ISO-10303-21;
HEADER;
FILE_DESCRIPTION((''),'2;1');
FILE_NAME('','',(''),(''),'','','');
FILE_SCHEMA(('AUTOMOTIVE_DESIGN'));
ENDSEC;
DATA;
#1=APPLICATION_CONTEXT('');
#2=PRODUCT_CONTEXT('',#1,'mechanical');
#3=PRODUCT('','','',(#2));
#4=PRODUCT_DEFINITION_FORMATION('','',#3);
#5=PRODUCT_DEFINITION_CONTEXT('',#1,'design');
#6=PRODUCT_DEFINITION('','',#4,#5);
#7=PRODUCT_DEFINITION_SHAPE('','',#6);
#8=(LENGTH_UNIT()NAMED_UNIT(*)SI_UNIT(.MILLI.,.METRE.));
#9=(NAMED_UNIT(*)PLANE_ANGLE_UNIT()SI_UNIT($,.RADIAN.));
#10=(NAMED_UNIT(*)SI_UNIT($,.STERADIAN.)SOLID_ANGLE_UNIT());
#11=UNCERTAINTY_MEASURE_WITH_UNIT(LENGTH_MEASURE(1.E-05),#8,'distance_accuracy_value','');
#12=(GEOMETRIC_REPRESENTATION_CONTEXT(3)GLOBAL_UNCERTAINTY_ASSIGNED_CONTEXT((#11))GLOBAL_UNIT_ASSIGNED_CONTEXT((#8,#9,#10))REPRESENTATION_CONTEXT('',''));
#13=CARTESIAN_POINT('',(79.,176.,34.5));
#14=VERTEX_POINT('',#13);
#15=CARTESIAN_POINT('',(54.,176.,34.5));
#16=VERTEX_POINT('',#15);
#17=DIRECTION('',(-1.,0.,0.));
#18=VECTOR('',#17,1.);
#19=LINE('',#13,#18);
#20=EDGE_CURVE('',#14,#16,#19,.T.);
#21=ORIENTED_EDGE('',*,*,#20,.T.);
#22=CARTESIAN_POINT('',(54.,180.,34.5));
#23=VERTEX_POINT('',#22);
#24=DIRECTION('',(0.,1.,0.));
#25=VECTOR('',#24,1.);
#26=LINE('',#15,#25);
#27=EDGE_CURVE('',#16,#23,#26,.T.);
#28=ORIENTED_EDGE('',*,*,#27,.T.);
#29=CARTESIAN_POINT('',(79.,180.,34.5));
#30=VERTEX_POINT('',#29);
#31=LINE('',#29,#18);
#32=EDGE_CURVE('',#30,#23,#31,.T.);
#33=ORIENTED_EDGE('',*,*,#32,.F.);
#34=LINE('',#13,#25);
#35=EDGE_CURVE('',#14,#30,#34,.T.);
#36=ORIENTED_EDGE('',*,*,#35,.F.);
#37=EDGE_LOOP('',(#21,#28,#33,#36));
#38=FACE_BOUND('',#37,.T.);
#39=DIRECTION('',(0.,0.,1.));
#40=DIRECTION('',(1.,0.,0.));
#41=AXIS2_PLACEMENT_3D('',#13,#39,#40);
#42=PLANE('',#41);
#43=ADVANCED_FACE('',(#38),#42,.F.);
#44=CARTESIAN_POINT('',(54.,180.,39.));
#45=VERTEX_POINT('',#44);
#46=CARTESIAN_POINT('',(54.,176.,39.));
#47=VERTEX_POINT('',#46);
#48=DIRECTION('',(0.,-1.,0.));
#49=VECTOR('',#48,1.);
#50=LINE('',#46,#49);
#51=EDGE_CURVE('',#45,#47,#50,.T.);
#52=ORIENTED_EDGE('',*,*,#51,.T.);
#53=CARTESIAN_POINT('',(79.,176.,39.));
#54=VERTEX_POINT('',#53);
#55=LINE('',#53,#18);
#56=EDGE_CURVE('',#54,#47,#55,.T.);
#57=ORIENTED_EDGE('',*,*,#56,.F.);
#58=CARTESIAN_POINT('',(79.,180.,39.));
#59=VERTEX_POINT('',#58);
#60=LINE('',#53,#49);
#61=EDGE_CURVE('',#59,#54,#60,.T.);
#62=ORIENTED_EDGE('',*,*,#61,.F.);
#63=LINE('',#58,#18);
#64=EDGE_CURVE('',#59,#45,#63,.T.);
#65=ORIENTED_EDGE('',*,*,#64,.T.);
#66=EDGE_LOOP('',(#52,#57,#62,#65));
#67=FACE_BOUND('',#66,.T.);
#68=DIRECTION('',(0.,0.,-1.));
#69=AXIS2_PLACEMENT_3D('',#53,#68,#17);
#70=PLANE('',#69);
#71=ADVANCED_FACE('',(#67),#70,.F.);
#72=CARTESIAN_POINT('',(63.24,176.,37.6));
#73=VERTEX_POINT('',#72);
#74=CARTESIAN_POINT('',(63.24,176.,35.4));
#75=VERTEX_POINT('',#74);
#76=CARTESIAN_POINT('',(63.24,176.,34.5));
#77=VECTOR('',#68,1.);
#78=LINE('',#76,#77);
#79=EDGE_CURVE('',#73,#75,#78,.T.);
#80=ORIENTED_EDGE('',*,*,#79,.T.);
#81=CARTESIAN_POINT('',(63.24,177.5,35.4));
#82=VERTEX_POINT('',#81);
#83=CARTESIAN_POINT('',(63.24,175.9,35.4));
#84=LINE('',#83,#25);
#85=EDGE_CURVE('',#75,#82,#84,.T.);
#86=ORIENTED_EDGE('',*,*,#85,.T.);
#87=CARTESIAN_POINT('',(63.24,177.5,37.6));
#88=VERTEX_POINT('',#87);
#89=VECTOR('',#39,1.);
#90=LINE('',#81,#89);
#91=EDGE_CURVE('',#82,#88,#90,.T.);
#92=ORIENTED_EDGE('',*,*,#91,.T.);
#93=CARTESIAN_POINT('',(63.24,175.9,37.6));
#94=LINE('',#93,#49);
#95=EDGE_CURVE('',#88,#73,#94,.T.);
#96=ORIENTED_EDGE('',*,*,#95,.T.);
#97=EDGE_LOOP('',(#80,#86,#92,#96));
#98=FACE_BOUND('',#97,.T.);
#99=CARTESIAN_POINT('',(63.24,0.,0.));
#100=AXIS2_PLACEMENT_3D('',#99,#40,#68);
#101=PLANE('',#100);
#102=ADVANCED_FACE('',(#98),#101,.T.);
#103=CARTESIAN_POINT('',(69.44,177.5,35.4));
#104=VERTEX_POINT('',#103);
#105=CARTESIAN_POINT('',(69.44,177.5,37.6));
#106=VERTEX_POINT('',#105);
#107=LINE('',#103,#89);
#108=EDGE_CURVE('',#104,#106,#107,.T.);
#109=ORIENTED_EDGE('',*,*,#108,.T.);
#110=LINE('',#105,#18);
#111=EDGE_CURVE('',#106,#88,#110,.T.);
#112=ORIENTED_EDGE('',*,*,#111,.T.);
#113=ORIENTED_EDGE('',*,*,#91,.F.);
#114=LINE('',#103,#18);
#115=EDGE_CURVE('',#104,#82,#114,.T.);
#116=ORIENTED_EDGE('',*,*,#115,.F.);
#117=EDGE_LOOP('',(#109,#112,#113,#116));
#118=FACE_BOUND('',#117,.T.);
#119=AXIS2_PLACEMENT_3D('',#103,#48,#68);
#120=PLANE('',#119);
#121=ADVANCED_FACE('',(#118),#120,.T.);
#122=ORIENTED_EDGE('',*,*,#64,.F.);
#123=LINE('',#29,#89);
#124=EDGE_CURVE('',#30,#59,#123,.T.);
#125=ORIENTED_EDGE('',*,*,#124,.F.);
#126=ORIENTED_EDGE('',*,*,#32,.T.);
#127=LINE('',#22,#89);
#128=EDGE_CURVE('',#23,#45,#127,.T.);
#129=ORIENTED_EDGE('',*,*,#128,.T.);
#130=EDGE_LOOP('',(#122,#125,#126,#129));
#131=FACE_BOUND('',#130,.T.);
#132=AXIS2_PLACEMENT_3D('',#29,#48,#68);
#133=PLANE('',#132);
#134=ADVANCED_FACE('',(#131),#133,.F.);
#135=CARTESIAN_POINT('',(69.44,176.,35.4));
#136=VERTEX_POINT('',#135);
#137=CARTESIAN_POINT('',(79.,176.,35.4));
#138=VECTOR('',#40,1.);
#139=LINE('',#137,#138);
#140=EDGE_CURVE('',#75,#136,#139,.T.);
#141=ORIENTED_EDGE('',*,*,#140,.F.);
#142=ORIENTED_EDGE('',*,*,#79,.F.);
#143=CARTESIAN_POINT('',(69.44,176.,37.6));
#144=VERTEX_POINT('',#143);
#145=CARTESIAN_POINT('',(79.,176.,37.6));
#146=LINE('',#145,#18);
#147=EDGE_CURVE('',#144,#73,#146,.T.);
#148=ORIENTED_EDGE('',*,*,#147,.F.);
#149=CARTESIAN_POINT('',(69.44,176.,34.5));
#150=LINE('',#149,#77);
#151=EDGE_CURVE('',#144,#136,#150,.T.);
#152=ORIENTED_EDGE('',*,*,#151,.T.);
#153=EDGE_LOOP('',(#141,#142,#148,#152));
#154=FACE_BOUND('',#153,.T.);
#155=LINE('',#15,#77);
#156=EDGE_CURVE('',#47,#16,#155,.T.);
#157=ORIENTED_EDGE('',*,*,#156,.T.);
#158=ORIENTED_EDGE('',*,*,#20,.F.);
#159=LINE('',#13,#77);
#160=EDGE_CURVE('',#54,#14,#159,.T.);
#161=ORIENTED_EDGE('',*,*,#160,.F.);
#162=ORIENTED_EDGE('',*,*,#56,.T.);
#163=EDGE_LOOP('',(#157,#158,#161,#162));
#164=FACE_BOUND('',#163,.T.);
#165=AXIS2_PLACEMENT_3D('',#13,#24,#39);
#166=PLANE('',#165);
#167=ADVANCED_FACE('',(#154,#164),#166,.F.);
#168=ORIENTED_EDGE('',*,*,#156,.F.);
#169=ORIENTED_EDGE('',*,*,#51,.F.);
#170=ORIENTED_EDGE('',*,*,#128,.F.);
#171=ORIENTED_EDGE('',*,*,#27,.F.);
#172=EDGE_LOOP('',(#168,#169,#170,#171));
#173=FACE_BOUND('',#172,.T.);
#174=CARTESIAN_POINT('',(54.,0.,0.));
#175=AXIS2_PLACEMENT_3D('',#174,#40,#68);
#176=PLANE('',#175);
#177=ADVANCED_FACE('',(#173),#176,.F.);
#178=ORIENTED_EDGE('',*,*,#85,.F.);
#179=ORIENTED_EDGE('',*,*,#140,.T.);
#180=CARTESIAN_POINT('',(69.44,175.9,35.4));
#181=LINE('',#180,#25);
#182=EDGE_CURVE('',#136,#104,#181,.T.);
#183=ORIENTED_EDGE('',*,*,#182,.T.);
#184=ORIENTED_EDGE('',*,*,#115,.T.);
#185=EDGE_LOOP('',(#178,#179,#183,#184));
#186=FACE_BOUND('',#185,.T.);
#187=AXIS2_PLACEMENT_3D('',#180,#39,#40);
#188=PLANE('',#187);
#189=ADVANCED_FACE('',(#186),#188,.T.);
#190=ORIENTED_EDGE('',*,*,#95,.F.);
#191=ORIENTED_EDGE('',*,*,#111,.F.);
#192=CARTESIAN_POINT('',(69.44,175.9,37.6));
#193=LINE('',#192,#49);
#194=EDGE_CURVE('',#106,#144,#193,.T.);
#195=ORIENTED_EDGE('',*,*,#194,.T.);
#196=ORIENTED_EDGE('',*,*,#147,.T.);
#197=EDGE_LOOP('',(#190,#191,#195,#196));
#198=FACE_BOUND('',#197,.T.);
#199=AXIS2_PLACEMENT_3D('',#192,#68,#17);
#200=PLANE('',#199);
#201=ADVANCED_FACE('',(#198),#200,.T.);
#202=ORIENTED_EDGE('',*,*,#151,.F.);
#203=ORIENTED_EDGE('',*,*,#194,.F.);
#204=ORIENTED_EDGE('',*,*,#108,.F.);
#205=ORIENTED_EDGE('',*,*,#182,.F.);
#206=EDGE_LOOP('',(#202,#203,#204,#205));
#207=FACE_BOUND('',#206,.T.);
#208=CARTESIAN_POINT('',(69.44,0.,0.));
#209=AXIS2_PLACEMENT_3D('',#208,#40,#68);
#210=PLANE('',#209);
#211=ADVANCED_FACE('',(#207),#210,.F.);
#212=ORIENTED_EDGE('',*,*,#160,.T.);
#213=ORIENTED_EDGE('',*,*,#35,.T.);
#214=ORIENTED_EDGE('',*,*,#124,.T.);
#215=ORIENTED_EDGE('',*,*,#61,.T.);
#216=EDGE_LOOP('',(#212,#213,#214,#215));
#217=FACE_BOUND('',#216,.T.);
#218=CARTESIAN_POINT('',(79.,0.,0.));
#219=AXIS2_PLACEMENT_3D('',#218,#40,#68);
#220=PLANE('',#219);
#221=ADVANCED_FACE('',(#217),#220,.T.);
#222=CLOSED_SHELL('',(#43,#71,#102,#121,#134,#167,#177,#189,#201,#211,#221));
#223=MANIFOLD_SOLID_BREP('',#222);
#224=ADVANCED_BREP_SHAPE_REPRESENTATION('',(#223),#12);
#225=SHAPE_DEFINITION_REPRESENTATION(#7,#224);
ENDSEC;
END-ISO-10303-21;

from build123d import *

# Parameters (mm, degrees)
CROSSHEAD_START = 54
SKETCH1_W       = 4.5
SKETCH1_H       = 4
CROSSHEAD_DEPTH = 25
ROD_SLOT_START  = 63.24
SKETCH2_W       = 2.2
SKETCH2_H       = 1.6
ROD_SLOT_DEPTH  = 6.2


with BuildPart() as part:
    # Sketch1 → crosshead (new body)
    with BuildSketch(Plane(origin=(0, 0, 0), x_dir=(0, 0, -1), z_dir=(1, 0, 0)).offset(CROSSHEAD_START)):
        with Locations((-36.75, 178)):
            Rectangle(SKETCH1_W, SKETCH1_H)
    extrude(amount=CROSSHEAD_DEPTH)


with BuildPart() as body_2:
    # Sketch2 → rod_slot (new body)
    with BuildSketch(Plane(origin=(0, 0, 0), x_dir=(0, 0, -1), z_dir=(1, 0, 0)).offset(ROD_SLOT_START)):
        with Locations((-36.5, 176.7)):
            Rectangle(SKETCH2_W, SKETCH2_H)
    extrude(amount=ROD_SLOT_DEPTH)


with BuildPart() as part_1:
    add(part.part)

    # Combine1: cut body 2
    add(body_2.part, mode=Mode.SUBTRACT)


solid = part_1.part
